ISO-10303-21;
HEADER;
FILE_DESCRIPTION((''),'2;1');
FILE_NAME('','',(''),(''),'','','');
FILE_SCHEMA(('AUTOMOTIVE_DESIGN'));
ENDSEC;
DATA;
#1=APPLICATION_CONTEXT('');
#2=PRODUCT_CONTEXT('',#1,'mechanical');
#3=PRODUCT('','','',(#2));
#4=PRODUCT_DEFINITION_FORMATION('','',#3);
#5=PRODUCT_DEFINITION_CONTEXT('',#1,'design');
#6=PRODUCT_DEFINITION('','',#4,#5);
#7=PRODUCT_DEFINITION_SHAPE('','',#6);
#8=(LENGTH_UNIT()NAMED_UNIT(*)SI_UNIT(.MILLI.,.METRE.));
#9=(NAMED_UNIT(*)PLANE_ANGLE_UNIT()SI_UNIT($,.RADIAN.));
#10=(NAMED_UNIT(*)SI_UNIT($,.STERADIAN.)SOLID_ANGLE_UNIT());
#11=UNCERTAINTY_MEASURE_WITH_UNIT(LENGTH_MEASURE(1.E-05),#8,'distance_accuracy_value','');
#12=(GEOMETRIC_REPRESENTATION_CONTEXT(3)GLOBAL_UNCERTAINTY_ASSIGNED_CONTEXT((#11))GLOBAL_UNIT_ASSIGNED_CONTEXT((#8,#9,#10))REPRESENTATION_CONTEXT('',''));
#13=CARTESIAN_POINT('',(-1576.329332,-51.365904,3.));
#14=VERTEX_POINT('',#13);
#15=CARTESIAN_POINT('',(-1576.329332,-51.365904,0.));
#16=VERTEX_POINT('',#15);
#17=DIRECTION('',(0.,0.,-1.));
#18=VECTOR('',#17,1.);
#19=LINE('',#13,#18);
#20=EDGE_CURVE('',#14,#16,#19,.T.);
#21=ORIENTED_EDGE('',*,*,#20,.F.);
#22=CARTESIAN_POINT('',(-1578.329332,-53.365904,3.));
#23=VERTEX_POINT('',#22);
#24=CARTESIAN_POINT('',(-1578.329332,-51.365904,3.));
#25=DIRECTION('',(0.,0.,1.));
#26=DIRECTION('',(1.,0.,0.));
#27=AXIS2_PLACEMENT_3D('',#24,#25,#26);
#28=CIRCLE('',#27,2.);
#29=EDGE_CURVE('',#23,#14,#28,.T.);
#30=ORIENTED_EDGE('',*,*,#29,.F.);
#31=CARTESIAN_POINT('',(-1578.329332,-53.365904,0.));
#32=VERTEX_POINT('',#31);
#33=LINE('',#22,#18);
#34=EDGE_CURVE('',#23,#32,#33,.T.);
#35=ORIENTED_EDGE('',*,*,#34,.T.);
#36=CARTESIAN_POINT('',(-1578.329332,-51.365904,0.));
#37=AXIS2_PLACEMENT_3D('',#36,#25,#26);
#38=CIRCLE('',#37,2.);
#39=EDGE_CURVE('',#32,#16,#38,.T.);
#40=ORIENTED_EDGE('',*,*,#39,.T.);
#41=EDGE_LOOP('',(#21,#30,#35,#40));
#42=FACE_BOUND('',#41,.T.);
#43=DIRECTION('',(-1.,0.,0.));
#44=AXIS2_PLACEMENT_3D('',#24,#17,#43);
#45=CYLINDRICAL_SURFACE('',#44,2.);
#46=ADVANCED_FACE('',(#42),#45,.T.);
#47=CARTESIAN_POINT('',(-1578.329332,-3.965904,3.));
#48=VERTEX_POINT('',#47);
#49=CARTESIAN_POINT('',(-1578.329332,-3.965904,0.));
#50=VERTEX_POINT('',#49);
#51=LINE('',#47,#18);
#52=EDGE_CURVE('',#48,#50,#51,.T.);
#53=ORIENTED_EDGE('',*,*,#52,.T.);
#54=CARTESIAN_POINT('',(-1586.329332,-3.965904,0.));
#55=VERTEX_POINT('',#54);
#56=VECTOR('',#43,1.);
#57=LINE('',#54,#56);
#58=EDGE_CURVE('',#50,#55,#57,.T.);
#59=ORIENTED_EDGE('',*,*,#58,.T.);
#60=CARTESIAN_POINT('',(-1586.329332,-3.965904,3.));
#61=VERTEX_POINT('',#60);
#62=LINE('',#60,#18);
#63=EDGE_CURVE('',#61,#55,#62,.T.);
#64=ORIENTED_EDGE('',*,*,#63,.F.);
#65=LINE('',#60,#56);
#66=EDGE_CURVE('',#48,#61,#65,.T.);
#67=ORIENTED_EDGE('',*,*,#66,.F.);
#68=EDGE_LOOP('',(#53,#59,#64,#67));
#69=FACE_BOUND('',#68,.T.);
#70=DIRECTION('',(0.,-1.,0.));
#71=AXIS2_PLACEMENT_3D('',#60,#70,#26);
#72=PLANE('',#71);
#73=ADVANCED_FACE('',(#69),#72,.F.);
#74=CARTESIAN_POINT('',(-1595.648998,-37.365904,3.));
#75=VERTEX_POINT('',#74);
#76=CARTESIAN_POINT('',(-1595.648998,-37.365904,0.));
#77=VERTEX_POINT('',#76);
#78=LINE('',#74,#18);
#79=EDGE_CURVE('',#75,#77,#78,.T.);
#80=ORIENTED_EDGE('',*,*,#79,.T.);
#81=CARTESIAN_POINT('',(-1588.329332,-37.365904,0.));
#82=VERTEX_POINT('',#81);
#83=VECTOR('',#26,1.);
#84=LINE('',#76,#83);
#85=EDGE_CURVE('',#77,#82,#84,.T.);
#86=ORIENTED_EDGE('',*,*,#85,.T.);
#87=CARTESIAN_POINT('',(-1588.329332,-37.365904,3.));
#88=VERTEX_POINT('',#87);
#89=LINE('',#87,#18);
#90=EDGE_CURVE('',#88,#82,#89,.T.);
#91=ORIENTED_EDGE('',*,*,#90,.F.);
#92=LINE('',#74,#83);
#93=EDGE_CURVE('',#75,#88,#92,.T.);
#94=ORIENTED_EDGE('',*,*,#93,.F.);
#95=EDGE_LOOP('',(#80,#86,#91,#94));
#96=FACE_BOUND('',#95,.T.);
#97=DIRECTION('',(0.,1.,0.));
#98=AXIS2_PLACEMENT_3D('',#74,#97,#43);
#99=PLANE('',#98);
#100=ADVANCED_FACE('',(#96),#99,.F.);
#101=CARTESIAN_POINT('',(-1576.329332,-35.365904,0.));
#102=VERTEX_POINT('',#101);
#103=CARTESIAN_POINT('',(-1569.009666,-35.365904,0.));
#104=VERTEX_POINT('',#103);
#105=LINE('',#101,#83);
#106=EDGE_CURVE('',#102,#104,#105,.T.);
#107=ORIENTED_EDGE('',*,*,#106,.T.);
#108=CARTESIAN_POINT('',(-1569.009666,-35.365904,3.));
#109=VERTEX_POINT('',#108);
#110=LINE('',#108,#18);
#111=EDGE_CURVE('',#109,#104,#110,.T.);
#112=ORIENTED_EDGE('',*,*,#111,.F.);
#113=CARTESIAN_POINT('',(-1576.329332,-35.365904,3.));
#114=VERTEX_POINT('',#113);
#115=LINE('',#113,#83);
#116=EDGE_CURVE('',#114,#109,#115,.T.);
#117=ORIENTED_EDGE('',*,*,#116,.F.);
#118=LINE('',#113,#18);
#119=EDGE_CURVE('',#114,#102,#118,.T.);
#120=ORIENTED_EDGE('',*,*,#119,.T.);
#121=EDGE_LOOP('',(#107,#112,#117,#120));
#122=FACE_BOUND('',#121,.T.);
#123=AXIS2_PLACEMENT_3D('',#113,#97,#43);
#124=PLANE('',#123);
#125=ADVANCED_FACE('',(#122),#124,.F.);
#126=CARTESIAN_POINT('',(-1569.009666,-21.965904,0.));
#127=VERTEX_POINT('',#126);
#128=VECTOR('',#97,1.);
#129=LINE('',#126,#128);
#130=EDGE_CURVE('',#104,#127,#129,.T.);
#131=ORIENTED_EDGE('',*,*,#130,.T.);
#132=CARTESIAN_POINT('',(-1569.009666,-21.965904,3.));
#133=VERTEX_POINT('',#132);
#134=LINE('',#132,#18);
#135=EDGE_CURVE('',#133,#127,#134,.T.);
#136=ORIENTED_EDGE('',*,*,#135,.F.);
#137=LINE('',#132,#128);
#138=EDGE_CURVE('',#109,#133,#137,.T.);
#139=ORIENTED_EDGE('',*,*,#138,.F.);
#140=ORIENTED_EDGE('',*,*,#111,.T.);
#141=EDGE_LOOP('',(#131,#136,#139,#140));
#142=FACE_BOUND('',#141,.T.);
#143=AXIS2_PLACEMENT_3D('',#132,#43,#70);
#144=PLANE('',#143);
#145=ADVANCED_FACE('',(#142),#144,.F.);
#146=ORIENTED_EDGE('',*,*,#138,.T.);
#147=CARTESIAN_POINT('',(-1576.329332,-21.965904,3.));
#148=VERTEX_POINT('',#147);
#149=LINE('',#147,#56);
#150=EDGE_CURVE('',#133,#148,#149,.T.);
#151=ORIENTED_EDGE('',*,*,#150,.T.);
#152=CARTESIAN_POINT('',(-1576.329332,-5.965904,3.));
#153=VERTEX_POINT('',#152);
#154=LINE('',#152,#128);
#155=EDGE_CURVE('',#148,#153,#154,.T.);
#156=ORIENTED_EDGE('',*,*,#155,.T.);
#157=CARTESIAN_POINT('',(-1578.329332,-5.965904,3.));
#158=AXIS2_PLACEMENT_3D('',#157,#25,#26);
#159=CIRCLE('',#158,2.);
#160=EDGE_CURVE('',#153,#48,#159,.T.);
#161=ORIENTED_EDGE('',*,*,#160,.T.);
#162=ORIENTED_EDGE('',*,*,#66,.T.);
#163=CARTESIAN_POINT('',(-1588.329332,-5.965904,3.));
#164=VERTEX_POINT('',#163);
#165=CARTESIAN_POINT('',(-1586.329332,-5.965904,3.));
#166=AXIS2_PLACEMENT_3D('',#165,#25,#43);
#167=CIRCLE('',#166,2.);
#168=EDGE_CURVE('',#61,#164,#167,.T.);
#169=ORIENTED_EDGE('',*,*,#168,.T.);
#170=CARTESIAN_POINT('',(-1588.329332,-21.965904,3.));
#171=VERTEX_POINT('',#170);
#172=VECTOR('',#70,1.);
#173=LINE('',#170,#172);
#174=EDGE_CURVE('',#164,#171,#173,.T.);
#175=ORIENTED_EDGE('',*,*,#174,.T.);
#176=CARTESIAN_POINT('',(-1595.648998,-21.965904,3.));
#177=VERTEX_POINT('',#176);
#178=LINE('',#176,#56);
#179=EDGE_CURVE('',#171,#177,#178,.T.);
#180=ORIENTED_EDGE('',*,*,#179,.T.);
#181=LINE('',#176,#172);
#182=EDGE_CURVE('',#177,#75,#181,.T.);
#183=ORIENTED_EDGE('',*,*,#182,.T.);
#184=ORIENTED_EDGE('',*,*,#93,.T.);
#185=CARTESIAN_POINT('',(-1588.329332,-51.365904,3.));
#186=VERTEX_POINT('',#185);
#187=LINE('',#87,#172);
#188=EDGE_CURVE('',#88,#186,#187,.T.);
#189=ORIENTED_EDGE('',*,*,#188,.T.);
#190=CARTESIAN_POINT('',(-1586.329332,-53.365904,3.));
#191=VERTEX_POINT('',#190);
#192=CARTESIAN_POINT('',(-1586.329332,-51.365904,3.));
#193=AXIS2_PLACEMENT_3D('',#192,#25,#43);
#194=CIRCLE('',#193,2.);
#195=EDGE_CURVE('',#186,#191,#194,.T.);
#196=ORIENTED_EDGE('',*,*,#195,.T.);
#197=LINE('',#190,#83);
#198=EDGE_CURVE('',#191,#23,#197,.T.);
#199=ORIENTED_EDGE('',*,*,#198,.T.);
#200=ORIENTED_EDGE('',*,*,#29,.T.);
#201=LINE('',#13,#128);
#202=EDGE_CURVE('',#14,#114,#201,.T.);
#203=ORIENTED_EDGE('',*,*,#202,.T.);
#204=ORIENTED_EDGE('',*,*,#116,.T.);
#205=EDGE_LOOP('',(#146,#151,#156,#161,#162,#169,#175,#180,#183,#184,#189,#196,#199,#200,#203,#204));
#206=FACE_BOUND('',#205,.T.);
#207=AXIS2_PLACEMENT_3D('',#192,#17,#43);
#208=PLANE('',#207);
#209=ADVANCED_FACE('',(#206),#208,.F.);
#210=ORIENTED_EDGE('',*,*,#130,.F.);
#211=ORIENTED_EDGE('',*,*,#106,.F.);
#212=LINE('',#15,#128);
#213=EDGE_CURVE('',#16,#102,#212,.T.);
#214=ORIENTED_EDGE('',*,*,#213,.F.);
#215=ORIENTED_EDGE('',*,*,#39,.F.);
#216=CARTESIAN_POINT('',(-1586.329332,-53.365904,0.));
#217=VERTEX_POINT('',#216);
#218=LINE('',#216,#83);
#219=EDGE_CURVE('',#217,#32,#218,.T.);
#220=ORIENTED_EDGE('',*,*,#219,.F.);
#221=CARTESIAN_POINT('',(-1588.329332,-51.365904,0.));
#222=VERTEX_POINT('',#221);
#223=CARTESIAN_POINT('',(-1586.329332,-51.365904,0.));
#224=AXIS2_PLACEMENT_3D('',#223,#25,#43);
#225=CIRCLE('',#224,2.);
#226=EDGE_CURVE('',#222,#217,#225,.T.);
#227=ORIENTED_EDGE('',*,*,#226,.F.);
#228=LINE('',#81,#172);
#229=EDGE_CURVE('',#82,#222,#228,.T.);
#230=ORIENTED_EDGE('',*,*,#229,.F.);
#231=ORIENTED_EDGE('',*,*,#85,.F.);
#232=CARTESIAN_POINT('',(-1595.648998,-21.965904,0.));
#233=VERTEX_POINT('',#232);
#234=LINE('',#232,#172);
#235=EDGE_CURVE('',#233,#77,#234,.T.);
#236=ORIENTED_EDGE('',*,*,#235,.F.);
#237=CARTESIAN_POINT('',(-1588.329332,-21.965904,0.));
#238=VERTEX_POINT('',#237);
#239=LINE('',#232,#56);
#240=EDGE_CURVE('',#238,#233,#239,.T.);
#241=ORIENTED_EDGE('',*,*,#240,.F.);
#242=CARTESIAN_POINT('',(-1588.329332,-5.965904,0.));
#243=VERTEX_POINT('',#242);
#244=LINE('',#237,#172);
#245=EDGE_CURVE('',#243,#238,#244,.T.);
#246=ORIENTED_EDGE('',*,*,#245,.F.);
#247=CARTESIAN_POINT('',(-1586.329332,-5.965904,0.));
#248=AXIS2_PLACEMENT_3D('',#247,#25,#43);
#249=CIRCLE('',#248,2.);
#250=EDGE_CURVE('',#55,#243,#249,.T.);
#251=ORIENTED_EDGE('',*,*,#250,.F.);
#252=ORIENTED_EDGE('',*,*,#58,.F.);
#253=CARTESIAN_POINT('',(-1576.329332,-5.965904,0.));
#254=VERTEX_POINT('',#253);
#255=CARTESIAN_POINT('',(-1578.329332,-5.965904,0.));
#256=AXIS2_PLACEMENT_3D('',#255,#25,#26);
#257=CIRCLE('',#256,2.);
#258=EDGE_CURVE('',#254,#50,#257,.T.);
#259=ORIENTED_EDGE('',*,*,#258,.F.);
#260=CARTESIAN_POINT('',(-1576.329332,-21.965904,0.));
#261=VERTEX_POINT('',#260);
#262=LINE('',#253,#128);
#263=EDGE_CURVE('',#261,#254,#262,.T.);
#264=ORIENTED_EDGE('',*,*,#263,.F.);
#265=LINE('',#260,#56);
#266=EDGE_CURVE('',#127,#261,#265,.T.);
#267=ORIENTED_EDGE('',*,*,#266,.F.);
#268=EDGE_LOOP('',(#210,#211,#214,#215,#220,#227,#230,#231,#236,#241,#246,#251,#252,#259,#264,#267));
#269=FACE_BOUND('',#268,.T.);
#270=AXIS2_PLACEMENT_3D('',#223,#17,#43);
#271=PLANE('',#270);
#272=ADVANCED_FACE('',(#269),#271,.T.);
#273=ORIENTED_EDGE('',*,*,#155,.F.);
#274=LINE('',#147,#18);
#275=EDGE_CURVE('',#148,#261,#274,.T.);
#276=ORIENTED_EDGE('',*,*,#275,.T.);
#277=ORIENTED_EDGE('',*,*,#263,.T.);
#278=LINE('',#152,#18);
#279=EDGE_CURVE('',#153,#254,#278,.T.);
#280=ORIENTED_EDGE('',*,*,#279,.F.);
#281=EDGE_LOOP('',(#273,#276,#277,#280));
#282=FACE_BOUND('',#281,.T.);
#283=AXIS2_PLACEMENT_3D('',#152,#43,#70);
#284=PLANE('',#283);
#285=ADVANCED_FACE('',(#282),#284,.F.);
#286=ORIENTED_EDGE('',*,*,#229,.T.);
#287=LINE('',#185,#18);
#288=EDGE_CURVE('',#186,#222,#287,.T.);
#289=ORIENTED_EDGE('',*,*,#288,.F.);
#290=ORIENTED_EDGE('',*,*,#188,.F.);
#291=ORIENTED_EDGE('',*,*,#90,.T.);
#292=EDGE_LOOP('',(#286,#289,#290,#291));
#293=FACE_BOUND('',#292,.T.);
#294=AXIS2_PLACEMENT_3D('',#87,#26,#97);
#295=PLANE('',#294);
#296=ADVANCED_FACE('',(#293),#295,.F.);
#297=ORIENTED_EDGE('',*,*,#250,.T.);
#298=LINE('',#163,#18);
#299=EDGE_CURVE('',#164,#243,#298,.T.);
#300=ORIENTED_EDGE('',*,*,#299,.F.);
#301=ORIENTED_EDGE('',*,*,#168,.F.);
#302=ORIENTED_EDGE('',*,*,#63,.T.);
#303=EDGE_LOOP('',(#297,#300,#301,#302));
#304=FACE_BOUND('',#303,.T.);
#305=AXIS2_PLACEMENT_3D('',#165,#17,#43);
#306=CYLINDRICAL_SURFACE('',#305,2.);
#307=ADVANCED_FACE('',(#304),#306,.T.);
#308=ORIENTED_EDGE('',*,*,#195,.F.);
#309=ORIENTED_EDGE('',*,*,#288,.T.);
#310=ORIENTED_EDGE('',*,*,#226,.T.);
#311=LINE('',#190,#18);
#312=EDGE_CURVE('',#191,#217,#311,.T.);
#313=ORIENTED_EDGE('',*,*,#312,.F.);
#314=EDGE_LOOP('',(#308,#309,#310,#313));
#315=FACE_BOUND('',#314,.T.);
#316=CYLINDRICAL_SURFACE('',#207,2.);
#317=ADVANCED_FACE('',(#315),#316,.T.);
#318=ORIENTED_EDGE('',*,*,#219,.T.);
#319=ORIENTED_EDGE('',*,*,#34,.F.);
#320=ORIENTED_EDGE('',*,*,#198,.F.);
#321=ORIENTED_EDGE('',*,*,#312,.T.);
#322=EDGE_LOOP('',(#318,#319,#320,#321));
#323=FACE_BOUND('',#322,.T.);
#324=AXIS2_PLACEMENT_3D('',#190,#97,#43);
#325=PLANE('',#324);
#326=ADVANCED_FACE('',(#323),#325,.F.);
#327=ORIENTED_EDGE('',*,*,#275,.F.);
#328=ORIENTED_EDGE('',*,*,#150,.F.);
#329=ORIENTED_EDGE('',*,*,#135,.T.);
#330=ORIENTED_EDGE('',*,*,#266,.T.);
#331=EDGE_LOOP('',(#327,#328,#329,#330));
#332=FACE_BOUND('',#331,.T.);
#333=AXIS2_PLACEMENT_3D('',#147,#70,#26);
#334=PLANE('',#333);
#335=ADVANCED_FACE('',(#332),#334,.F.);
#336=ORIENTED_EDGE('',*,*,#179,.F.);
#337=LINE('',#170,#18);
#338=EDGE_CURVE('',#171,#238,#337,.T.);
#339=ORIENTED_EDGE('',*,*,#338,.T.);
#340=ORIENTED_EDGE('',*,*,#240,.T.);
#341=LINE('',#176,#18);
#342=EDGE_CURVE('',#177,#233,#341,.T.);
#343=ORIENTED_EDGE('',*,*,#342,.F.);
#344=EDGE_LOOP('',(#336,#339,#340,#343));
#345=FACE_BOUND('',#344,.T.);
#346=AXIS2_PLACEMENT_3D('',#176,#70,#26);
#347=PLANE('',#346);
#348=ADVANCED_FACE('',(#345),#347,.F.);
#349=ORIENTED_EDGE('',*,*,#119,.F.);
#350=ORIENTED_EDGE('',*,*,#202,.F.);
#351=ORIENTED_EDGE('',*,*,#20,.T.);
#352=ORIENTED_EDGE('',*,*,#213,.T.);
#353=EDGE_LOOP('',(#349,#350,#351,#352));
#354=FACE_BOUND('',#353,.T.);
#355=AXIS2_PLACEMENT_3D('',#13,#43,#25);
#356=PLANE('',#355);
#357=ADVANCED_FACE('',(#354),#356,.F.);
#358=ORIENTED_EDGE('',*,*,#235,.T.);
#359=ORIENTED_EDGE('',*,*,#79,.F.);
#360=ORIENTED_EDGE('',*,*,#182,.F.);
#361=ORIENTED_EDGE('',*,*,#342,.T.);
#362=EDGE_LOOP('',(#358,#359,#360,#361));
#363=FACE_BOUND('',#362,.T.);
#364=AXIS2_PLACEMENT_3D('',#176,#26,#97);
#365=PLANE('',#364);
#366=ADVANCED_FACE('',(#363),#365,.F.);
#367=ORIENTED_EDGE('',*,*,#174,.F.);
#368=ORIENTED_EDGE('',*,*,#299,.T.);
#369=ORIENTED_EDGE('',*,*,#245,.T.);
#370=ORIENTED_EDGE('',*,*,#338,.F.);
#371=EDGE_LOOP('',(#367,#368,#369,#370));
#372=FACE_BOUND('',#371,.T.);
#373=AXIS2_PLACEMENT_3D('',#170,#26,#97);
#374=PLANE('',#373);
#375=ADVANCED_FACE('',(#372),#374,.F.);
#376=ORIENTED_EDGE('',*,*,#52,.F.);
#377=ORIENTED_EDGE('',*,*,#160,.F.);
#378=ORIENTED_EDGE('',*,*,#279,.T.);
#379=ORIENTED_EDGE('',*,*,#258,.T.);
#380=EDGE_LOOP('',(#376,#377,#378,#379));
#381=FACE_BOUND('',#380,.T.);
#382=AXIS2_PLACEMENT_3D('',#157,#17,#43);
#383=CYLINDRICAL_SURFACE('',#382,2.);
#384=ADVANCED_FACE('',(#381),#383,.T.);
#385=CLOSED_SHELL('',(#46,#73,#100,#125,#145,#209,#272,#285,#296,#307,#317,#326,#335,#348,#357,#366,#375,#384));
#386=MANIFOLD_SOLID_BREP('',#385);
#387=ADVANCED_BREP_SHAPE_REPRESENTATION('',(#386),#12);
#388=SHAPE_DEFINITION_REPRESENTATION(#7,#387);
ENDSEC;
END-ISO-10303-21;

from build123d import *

# Parameters (mm, degrees)
BASE_EXTRUDE_DEPTH = 3


with BuildPart() as part:
    # Sketch1 → Base-Extrude (new body)
    with BuildSketch(Plane.XY):
        with BuildLine():
            Line((-1588.329332145, -37.365903922), (-1588.329332145, -51.365903922))
            ThreePointArc((-1588.329332145, -51.365903922), (-1587.743545707, -52.780117485), (-1586.329332145, -53.365903922))
            Line((-1586.329332145, -53.365903922), (-1578.329332145, -53.365903922))
            ThreePointArc((-1578.329332145, -53.365903922), (-1576.915118583, -52.780117485), (-1576.329332145, -51.365903922))
            Line((-1576.329332145, -51.365903922), (-1576.329332145, -35.365903922))
            Line((-1576.329332145, -35.365903922), (-1569.009666147, -35.365903922))
            Line((-1569.009666147, -35.365903922), (-1569.009666147, -21.965903922))
            Line((-1569.009666147, -21.965903922), (-1576.329332145, -21.965903922))
            Line((-1576.329332145, -21.965903922), (-1576.329332145, -5.965903922))
            ThreePointArc((-1576.329332145, -5.965903922), (-1576.915118583, -4.55169036), (-1578.329332145, -3.965903922))
            Line((-1578.329332145, -3.965903922), (-1586.329332145, -3.965903922))
            ThreePointArc((-1586.329332145, -3.965903922), (-1587.743545707, -4.55169036), (-1588.329332145, -5.965903922))
            Line((-1588.329332145, -5.965903922), (-1588.329332145, -21.965903922))
            Line((-1588.329332145, -21.965903922), (-1595.648998143, -21.965903922))
            Line((-1595.648998143, -21.965903922), (-1595.648998143, -37.365903922))
            Line((-1595.648998143, -37.365903922), (-1588.329332145, -37.365903922))
        make_face()
    extrude(amount=BASE_EXTRUDE_DEPTH)


solid = part.part
